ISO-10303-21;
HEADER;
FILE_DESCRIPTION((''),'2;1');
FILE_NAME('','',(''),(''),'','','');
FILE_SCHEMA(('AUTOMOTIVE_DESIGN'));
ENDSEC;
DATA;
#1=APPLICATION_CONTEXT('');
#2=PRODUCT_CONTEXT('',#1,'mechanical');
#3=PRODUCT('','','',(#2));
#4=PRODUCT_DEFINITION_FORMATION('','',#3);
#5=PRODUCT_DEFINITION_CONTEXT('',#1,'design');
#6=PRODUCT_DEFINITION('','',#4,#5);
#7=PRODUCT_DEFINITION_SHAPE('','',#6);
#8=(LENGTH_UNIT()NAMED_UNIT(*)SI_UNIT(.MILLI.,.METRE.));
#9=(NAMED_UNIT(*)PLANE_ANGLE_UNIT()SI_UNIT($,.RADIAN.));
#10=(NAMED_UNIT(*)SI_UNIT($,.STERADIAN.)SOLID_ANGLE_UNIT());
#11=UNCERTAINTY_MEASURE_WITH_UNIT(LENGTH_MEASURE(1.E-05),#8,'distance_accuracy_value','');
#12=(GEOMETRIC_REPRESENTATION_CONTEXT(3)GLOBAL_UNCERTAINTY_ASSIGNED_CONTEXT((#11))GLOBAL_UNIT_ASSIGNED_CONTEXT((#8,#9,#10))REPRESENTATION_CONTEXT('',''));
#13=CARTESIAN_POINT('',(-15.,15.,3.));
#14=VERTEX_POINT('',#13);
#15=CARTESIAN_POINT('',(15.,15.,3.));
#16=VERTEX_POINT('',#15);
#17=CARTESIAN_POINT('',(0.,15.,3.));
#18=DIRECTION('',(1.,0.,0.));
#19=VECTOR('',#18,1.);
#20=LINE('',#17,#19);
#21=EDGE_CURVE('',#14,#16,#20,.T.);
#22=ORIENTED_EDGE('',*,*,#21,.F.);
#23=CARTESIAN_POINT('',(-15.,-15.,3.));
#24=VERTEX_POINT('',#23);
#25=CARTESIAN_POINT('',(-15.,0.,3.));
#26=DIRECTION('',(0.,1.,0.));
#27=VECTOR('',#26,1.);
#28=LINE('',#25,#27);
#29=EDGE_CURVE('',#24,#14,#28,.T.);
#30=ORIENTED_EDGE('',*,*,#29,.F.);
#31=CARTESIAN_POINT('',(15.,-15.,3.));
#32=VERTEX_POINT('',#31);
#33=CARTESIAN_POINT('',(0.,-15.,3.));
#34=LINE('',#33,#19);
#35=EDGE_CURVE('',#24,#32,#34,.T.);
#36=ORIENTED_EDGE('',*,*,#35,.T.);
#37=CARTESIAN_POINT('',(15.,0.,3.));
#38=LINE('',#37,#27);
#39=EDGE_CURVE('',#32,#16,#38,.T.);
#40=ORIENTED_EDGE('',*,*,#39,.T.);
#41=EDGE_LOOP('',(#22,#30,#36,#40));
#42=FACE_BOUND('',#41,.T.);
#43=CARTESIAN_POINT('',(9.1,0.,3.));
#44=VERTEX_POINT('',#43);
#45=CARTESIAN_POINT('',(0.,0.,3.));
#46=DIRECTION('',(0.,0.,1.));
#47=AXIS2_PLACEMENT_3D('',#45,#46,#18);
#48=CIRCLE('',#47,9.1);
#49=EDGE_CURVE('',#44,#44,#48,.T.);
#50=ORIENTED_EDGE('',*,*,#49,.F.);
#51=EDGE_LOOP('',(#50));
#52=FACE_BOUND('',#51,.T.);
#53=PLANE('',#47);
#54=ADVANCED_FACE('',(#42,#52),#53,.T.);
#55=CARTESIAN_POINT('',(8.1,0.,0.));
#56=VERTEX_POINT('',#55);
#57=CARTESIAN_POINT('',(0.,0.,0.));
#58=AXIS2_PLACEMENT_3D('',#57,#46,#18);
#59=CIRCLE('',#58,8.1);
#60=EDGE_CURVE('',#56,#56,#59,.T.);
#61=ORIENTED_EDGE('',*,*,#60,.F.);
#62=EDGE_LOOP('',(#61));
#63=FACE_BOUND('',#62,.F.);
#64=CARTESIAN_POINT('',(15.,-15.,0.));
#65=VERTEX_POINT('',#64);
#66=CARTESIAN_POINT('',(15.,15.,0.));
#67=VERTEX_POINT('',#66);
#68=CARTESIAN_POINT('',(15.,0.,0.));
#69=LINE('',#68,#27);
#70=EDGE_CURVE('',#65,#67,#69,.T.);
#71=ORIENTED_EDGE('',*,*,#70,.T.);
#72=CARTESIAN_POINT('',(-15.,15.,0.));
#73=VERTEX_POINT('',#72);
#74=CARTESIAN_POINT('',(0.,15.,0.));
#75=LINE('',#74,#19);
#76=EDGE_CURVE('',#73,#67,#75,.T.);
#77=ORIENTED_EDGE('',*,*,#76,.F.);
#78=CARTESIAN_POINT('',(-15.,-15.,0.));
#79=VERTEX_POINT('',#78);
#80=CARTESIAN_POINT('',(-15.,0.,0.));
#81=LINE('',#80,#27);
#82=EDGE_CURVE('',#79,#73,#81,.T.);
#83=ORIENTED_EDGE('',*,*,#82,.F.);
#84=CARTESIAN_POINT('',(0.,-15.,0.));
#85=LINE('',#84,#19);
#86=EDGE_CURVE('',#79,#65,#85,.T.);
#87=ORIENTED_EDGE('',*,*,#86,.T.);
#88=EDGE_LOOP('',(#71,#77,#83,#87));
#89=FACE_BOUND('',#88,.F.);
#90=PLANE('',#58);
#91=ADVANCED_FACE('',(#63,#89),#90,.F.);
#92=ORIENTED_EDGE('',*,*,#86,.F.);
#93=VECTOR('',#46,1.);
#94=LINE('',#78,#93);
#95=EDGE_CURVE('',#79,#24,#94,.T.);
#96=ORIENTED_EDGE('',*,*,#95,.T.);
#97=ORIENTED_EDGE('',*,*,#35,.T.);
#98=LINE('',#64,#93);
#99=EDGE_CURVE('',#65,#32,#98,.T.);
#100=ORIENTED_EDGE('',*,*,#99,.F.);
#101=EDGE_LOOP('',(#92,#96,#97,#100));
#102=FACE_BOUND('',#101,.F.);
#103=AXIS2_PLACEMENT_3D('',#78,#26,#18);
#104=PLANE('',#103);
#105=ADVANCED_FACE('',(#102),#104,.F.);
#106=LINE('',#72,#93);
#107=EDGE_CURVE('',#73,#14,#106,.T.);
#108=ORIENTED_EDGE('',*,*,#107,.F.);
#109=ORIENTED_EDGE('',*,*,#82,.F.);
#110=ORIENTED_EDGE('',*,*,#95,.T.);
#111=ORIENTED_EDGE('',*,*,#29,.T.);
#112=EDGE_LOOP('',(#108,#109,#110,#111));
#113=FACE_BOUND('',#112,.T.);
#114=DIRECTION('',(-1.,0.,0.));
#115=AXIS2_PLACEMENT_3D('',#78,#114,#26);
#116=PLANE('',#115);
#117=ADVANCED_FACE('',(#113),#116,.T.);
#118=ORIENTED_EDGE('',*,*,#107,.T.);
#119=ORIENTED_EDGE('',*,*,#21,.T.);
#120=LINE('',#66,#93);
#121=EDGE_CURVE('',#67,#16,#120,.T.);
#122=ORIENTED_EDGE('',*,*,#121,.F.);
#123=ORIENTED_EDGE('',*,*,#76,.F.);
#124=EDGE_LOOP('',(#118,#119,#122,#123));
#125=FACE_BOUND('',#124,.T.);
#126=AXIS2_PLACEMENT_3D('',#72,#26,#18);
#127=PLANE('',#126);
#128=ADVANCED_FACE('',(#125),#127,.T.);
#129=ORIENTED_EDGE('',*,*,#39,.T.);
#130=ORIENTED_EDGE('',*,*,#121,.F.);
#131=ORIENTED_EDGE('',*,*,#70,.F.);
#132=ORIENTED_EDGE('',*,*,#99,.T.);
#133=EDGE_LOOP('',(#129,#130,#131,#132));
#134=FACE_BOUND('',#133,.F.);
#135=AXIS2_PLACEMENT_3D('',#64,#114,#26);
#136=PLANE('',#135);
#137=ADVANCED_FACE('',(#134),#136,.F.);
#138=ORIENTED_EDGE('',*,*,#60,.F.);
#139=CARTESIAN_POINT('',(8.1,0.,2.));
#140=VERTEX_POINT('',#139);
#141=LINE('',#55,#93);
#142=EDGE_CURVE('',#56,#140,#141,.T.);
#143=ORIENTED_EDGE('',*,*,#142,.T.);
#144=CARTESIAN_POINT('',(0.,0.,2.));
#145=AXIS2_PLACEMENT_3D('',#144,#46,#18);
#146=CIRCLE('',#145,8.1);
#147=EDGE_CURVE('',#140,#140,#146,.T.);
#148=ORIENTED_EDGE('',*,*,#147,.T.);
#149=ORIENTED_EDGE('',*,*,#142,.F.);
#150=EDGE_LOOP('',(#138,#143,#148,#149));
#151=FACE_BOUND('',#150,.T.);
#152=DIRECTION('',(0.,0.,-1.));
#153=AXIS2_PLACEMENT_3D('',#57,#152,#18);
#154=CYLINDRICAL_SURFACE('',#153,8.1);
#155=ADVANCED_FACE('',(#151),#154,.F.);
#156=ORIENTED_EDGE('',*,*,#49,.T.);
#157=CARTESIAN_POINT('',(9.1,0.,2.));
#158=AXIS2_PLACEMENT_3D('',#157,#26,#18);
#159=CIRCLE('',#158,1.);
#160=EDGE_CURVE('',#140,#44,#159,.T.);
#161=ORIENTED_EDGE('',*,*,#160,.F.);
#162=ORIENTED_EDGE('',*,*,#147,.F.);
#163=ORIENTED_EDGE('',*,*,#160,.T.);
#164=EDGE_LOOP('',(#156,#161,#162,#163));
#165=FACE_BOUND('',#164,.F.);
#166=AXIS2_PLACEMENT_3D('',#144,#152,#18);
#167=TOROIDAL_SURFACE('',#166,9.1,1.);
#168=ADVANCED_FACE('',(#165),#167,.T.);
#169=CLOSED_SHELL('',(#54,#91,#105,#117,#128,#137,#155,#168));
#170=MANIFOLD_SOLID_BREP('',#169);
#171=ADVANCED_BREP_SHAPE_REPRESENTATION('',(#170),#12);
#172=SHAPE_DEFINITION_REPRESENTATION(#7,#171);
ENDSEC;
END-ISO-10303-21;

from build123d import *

# Parameters (mm, degrees)
F0_W     = 30
F0_H     = 30
F0_R     = 8.1
F1_DEPTH = 3
F2_R     = 1


with BuildPart() as f1:
    # F0 (on Top) → F1 (new body)
    with BuildSketch(Plane.XY):
        Rectangle(F0_W, F0_H)
        Circle(F0_R, mode=Mode.SUBTRACT)
    extrude(amount=F1_DEPTH)

    # F2
    f2_edges = [f1.edges().sort_by_distance(p)[0] for p in [
        (-8.1, 0, 3),
    ]]
    fillet(f2_edges, radius=F2_R)


solid = f1.part
